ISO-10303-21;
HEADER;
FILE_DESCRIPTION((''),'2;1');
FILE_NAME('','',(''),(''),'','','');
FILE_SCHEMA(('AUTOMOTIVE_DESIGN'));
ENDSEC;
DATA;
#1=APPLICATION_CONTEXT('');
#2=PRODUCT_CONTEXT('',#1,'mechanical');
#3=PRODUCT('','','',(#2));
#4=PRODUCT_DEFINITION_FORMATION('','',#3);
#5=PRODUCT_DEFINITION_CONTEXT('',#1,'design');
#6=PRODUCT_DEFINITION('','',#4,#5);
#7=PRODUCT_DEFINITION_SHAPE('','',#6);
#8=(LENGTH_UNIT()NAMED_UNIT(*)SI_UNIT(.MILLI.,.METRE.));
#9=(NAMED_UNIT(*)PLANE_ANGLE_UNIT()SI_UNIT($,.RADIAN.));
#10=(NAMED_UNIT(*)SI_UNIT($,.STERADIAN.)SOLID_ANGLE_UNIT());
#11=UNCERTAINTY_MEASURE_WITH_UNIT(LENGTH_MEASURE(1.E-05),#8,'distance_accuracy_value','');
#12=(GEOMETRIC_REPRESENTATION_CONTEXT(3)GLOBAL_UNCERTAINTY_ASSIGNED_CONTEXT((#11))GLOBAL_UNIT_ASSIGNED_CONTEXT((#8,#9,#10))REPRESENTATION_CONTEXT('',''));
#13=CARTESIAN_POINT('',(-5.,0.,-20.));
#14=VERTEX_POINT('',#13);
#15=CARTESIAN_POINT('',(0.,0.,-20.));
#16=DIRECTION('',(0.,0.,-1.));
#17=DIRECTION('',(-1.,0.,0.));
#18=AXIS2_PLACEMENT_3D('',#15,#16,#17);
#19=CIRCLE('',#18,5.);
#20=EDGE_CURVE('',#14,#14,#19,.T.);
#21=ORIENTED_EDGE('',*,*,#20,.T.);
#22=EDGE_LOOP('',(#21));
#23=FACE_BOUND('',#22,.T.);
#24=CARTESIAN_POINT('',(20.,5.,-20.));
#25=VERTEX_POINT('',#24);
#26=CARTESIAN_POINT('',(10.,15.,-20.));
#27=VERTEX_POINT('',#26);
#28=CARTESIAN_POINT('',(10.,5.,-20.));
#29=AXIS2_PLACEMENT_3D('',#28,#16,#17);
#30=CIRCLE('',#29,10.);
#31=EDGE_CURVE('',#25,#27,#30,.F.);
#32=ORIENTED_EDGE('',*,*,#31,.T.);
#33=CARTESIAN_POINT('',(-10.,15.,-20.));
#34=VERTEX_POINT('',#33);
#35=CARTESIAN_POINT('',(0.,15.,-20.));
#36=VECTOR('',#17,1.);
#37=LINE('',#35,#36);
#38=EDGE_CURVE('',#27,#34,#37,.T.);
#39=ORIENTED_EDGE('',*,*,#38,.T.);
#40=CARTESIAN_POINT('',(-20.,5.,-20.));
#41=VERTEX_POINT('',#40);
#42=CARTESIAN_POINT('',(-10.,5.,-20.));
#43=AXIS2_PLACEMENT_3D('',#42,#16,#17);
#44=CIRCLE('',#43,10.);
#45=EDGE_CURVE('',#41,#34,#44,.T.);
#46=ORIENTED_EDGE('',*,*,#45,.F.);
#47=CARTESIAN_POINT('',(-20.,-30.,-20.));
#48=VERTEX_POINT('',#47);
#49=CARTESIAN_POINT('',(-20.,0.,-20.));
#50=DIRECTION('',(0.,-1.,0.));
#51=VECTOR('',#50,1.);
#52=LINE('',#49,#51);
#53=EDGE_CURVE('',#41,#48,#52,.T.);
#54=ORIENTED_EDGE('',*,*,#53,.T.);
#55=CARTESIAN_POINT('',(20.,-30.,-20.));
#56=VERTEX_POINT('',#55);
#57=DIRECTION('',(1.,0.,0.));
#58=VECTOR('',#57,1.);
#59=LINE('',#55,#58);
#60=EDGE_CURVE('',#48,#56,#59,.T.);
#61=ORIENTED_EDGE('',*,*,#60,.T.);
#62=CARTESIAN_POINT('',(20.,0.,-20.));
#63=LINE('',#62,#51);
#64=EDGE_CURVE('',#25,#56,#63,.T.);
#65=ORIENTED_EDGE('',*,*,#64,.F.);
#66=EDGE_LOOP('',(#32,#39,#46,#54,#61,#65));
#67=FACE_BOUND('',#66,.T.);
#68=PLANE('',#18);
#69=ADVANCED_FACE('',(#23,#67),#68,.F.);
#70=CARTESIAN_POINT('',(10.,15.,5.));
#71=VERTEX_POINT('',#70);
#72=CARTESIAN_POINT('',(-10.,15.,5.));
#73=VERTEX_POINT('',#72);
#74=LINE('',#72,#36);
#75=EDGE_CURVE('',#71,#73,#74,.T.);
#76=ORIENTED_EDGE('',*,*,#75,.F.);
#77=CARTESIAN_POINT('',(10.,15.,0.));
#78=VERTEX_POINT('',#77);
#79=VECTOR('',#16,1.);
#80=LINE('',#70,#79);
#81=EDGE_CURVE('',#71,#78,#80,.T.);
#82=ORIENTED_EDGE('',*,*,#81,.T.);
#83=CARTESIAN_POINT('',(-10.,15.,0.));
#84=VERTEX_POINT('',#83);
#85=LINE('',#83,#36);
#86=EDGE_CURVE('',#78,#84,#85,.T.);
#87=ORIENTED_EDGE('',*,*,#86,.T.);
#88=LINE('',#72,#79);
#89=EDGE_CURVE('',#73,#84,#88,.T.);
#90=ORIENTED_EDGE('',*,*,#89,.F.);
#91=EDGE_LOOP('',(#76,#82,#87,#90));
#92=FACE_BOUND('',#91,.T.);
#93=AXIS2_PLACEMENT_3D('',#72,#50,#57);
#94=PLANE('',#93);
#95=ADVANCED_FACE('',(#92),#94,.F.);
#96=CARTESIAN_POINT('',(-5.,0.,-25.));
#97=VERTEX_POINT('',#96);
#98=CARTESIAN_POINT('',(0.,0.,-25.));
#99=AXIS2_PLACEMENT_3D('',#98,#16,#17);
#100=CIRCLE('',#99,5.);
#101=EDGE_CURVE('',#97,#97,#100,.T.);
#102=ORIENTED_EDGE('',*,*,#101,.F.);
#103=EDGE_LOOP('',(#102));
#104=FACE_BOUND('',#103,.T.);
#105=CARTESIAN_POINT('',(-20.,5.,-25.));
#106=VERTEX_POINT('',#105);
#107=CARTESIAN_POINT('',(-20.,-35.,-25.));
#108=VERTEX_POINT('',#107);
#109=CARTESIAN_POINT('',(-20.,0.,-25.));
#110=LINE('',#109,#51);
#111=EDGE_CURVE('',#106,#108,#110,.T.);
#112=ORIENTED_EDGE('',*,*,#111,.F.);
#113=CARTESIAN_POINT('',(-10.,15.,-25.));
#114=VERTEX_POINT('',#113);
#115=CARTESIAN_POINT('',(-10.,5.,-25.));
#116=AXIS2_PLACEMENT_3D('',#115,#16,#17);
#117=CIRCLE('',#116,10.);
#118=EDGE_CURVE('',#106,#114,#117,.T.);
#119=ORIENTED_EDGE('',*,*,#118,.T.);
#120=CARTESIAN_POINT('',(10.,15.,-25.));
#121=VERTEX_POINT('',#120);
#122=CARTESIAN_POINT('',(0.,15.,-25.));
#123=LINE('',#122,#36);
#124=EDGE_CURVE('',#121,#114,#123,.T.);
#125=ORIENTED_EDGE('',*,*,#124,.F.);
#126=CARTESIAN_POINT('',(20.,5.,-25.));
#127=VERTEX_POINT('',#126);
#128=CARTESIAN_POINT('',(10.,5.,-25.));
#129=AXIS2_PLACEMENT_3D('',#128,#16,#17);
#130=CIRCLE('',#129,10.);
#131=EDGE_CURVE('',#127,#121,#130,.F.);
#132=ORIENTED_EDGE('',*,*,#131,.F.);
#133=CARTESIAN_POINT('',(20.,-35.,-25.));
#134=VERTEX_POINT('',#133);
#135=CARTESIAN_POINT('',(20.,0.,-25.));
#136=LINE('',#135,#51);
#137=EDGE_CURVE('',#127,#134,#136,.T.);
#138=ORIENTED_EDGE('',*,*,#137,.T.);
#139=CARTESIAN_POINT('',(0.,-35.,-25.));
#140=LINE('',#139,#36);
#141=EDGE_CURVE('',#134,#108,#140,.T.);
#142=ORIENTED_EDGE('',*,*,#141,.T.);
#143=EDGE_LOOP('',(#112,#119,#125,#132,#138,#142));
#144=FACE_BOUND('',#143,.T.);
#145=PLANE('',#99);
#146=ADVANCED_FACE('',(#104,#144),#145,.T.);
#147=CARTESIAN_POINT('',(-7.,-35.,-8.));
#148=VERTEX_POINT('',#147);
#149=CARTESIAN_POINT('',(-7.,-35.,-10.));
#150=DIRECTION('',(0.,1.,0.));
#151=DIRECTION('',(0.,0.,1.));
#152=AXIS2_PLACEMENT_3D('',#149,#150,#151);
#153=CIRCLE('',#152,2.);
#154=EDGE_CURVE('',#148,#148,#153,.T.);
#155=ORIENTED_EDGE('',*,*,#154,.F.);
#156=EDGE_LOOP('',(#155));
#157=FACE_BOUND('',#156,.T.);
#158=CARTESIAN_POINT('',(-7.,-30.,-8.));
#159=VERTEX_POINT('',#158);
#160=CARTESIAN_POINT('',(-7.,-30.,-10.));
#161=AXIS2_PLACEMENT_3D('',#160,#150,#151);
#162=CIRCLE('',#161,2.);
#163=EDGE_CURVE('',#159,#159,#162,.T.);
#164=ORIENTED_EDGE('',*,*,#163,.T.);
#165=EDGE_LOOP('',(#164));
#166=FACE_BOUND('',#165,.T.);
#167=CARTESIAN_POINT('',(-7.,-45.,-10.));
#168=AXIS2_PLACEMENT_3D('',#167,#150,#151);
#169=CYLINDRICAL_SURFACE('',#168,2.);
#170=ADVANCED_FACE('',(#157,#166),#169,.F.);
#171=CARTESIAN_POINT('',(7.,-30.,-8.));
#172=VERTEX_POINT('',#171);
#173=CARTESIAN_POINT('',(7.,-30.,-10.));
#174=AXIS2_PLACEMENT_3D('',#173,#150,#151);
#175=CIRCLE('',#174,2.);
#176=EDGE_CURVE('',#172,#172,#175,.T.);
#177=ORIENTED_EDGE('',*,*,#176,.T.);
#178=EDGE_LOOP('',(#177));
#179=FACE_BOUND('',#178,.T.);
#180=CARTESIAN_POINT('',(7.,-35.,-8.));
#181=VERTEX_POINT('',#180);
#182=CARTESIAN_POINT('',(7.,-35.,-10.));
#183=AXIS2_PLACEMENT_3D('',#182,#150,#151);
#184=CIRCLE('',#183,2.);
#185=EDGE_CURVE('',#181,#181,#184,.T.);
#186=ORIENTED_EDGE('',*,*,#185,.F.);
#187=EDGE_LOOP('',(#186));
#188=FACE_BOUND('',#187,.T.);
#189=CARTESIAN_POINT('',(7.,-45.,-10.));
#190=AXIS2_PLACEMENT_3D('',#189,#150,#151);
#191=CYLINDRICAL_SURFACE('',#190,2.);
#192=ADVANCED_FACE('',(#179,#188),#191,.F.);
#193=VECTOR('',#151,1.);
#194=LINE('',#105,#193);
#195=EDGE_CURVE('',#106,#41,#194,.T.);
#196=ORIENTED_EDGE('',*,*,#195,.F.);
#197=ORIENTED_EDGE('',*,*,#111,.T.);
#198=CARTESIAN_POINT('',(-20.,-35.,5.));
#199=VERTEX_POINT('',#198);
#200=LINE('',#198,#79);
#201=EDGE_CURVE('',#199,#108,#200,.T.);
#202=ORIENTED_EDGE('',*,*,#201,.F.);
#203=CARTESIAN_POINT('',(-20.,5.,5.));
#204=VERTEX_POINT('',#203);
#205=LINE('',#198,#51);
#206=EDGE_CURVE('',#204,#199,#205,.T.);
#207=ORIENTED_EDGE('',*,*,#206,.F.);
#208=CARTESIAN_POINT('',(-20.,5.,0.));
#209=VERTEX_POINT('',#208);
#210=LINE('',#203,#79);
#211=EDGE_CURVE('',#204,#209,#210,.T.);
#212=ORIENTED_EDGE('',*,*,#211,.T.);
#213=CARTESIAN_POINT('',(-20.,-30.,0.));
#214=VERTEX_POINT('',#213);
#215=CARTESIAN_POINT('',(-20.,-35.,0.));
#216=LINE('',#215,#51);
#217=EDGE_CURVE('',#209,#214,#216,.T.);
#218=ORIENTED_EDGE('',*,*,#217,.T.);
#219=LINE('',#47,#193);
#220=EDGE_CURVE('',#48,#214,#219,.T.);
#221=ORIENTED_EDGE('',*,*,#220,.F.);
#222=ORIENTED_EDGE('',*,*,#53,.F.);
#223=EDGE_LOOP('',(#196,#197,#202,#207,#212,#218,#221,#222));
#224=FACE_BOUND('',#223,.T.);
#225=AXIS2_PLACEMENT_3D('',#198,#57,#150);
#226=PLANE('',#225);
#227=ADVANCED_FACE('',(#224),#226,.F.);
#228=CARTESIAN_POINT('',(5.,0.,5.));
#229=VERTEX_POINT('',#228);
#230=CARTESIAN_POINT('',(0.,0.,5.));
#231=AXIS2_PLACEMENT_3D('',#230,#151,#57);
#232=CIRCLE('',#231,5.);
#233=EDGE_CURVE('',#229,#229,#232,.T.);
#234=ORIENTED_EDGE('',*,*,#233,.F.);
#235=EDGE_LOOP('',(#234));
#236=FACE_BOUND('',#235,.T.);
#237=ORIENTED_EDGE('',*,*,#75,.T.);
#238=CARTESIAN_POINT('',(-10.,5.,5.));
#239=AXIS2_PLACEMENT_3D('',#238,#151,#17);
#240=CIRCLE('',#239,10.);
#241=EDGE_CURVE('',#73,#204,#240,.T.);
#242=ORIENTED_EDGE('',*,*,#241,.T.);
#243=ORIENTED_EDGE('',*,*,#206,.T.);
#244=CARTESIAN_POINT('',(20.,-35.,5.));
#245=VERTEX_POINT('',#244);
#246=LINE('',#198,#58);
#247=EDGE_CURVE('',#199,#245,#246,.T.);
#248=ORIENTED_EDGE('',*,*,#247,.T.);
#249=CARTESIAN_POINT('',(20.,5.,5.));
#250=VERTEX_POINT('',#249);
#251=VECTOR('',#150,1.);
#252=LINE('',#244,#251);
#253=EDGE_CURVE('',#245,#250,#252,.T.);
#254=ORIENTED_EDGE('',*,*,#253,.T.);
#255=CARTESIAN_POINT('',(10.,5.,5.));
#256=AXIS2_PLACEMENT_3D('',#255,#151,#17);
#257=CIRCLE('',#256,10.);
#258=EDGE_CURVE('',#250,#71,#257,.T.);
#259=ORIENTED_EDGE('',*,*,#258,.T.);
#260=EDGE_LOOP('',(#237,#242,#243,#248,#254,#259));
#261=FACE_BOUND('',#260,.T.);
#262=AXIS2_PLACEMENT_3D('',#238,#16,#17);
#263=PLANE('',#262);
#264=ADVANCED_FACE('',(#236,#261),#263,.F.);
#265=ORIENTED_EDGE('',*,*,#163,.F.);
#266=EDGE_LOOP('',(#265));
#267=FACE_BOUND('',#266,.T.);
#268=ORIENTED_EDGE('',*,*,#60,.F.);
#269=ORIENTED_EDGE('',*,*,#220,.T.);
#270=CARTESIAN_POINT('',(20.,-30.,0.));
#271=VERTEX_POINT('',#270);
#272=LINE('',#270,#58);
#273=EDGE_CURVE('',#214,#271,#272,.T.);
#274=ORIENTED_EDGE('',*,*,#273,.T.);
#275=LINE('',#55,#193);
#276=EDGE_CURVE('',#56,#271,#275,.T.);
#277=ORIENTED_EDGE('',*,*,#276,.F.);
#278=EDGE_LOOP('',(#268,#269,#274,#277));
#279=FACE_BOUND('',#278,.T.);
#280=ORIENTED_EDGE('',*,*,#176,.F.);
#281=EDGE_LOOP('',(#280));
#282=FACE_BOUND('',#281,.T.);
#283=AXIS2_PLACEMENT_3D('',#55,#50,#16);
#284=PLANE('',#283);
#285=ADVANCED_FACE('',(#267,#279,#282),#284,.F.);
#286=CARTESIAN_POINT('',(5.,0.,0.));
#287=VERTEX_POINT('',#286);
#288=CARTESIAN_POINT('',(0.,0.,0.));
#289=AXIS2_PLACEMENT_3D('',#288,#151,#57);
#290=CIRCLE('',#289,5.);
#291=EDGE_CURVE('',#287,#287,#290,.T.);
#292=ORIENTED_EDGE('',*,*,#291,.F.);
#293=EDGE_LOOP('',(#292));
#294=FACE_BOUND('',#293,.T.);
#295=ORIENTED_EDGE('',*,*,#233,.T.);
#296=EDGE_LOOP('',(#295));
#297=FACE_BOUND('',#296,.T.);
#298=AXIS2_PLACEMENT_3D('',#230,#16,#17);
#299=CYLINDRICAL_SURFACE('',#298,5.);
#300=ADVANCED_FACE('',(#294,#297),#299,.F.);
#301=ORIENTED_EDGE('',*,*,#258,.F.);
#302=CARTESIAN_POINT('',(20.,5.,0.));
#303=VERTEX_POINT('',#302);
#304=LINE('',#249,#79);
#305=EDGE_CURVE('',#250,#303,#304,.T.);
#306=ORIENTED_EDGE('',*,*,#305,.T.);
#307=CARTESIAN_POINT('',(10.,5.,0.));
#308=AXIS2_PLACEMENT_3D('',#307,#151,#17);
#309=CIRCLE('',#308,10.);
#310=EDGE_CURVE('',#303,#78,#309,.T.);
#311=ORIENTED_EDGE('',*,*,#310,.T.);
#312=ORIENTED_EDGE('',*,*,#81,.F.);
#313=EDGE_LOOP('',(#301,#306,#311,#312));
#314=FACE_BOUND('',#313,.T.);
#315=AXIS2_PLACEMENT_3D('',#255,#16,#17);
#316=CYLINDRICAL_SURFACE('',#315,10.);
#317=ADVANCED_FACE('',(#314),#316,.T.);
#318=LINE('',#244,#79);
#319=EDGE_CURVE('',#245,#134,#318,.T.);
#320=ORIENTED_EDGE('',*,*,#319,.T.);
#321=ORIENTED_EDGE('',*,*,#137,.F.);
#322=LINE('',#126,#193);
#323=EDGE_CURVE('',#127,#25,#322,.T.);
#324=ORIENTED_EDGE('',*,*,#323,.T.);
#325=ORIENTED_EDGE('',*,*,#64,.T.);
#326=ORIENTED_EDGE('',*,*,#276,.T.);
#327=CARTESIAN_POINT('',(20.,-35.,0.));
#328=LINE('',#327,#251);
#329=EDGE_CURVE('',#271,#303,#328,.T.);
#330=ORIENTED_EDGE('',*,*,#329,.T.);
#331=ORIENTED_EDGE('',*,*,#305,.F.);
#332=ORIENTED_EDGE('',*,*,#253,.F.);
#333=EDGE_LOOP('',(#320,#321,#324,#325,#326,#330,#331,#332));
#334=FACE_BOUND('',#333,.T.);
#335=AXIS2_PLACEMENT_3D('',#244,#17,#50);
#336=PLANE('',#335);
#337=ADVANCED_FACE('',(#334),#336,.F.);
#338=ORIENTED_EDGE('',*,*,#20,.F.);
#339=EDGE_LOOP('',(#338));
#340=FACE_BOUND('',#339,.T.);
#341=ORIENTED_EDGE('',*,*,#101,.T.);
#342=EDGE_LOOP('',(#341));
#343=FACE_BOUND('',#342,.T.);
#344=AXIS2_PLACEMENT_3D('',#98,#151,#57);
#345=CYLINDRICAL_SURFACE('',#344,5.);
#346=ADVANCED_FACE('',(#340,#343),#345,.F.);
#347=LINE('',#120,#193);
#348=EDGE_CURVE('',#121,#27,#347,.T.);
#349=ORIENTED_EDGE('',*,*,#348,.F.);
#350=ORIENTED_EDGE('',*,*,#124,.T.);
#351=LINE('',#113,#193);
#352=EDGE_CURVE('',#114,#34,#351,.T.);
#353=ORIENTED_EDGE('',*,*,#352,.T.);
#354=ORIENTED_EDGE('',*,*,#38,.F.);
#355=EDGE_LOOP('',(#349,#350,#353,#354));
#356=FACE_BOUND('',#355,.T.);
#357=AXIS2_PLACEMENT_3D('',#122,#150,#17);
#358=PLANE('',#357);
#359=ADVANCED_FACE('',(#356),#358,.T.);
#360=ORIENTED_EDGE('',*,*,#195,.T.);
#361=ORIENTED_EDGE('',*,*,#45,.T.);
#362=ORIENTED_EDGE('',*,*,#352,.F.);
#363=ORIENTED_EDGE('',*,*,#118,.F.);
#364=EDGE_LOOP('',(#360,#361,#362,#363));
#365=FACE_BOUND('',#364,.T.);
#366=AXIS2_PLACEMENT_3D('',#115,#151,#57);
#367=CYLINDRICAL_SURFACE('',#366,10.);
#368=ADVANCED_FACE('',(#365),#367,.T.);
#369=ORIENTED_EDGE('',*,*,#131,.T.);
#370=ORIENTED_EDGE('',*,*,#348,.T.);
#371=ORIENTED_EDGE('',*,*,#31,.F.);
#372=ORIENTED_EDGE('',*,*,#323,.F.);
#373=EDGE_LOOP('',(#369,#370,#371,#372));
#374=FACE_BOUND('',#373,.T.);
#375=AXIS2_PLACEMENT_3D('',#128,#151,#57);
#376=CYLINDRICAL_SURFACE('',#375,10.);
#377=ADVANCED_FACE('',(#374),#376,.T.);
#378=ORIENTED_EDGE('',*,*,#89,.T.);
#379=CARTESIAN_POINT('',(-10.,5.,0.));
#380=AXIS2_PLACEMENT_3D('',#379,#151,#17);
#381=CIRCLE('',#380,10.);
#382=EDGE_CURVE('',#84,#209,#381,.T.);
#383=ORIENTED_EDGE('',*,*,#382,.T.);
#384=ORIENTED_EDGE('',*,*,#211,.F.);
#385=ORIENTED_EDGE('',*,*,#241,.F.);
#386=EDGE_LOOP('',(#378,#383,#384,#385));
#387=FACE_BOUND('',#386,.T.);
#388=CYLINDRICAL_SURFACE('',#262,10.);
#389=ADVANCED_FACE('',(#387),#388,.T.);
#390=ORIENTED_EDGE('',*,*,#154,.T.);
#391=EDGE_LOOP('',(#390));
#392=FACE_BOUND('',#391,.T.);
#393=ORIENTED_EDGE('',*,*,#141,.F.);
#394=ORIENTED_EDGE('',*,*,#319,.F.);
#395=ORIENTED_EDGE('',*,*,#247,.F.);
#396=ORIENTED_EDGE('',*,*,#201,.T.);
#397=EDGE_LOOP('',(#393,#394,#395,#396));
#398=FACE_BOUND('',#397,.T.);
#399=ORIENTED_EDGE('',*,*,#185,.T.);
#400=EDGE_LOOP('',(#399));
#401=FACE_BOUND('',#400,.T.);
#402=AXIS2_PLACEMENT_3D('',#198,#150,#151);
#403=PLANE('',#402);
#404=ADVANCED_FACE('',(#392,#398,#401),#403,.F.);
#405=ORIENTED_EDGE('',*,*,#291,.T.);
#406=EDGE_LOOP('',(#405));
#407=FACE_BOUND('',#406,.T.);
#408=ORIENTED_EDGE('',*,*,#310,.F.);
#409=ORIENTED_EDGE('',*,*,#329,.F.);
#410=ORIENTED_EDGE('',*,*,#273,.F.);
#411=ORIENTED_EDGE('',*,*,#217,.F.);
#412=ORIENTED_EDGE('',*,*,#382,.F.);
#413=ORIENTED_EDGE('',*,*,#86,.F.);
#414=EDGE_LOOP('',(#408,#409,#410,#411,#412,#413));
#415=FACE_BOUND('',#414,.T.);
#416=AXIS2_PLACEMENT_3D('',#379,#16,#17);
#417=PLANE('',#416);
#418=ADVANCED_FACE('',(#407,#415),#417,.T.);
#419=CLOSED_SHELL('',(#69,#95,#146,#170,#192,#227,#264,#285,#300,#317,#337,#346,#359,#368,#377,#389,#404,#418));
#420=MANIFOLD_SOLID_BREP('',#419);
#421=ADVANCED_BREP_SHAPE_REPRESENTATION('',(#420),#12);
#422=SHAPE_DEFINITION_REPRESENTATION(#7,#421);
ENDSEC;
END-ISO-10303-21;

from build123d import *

# Parameters (mm, degrees)
SKETCH1_R           = 5
BOSS_EXTRUDE4_DEPTH = 5
SKETCH4_W           = 40
SKETCH4_H           = 5
BOSS_EXTRUDE5_DEPTH = 20
BOSS_EXTRUDE6_START = 5
SKETCH5_R           = 5
BOSS_EXTRUDE6_DEPTH = 5
SKETCH7_R           = 2
CUT_EXTRUDE1_DEPTH  = 15


with BuildPart() as part:
    # Sketch1 → Boss-Extrude4 (new body)
    with BuildSketch(Plane.XY):
        with BuildLine():
            Line((-20, -35), (20, -35))
            Line((20, -35), (20, 5))
            ThreePointArc((20, 5), (17.071067812, 12.071067812), (10, 15))
            Line((10, 15), (-10, 15))
            ThreePointArc((-10, 15), (-17.071067812, 12.071067812), (-20, 5))
            Line((-20, 5), (-20, -35))
        make_face()
        Circle(SKETCH1_R, mode=Mode.SUBTRACT)
    extrude(amount=BOSS_EXTRUDE4_DEPTH)

    # Sketch4 → Boss-Extrude5 (add)
    with BuildSketch(Plane(origin=(0, 0, 0), x_dir=(-1, 0, 0), z_dir=(0, 0, -1))):
        with Locations((0, -32.5)):
            Rectangle(SKETCH4_W, SKETCH4_H)
    extrude(amount=BOSS_EXTRUDE5_DEPTH)

    # Sketch5 → Boss-Extrude6 (add)
    with BuildSketch(Plane(origin=(0, 0, -20), x_dir=(-1, 0, 0), z_dir=(0, 0, -1)).offset(BOSS_EXTRUDE6_START)):
        with BuildLine():
            Line((-20, 5), (-20, -35))
            Line((-20, -35), (20, -35))
            Line((20, -35), (20, -30))
            Line((20, -30), (20, 5))
            ThreePointArc((20, 5), (17.071067812, 12.071067812), (10, 15))
            Line((10, 15), (-10, 15))
            ThreePointArc((-10, 15), (-17.071067812, 12.071067812), (-20, 5))
        make_face()
        with Locations(Location((0, 0, 0), (0, 0, 180))):
            Circle(SKETCH5_R, mode=Mode.SUBTRACT)
    extrude(amount=-BOSS_EXTRUDE6_DEPTH)

    # Sketch7 → Cut-Extrude1 (cut)
    with BuildSketch(Plane(origin=(0, -30, 0), x_dir=(1, 0, 0), z_dir=(0, 1, 0))):
        with Locations(Location((-7, 10, 0), (0, 0, 270))):
            Circle(SKETCH7_R)
        with Locations(Location((7, 10, 0), (0, 0, 270))):
            Circle(SKETCH7_R)
    extrude(amount=-CUT_EXTRUDE1_DEPTH, mode=Mode.SUBTRACT)


solid = part.part
